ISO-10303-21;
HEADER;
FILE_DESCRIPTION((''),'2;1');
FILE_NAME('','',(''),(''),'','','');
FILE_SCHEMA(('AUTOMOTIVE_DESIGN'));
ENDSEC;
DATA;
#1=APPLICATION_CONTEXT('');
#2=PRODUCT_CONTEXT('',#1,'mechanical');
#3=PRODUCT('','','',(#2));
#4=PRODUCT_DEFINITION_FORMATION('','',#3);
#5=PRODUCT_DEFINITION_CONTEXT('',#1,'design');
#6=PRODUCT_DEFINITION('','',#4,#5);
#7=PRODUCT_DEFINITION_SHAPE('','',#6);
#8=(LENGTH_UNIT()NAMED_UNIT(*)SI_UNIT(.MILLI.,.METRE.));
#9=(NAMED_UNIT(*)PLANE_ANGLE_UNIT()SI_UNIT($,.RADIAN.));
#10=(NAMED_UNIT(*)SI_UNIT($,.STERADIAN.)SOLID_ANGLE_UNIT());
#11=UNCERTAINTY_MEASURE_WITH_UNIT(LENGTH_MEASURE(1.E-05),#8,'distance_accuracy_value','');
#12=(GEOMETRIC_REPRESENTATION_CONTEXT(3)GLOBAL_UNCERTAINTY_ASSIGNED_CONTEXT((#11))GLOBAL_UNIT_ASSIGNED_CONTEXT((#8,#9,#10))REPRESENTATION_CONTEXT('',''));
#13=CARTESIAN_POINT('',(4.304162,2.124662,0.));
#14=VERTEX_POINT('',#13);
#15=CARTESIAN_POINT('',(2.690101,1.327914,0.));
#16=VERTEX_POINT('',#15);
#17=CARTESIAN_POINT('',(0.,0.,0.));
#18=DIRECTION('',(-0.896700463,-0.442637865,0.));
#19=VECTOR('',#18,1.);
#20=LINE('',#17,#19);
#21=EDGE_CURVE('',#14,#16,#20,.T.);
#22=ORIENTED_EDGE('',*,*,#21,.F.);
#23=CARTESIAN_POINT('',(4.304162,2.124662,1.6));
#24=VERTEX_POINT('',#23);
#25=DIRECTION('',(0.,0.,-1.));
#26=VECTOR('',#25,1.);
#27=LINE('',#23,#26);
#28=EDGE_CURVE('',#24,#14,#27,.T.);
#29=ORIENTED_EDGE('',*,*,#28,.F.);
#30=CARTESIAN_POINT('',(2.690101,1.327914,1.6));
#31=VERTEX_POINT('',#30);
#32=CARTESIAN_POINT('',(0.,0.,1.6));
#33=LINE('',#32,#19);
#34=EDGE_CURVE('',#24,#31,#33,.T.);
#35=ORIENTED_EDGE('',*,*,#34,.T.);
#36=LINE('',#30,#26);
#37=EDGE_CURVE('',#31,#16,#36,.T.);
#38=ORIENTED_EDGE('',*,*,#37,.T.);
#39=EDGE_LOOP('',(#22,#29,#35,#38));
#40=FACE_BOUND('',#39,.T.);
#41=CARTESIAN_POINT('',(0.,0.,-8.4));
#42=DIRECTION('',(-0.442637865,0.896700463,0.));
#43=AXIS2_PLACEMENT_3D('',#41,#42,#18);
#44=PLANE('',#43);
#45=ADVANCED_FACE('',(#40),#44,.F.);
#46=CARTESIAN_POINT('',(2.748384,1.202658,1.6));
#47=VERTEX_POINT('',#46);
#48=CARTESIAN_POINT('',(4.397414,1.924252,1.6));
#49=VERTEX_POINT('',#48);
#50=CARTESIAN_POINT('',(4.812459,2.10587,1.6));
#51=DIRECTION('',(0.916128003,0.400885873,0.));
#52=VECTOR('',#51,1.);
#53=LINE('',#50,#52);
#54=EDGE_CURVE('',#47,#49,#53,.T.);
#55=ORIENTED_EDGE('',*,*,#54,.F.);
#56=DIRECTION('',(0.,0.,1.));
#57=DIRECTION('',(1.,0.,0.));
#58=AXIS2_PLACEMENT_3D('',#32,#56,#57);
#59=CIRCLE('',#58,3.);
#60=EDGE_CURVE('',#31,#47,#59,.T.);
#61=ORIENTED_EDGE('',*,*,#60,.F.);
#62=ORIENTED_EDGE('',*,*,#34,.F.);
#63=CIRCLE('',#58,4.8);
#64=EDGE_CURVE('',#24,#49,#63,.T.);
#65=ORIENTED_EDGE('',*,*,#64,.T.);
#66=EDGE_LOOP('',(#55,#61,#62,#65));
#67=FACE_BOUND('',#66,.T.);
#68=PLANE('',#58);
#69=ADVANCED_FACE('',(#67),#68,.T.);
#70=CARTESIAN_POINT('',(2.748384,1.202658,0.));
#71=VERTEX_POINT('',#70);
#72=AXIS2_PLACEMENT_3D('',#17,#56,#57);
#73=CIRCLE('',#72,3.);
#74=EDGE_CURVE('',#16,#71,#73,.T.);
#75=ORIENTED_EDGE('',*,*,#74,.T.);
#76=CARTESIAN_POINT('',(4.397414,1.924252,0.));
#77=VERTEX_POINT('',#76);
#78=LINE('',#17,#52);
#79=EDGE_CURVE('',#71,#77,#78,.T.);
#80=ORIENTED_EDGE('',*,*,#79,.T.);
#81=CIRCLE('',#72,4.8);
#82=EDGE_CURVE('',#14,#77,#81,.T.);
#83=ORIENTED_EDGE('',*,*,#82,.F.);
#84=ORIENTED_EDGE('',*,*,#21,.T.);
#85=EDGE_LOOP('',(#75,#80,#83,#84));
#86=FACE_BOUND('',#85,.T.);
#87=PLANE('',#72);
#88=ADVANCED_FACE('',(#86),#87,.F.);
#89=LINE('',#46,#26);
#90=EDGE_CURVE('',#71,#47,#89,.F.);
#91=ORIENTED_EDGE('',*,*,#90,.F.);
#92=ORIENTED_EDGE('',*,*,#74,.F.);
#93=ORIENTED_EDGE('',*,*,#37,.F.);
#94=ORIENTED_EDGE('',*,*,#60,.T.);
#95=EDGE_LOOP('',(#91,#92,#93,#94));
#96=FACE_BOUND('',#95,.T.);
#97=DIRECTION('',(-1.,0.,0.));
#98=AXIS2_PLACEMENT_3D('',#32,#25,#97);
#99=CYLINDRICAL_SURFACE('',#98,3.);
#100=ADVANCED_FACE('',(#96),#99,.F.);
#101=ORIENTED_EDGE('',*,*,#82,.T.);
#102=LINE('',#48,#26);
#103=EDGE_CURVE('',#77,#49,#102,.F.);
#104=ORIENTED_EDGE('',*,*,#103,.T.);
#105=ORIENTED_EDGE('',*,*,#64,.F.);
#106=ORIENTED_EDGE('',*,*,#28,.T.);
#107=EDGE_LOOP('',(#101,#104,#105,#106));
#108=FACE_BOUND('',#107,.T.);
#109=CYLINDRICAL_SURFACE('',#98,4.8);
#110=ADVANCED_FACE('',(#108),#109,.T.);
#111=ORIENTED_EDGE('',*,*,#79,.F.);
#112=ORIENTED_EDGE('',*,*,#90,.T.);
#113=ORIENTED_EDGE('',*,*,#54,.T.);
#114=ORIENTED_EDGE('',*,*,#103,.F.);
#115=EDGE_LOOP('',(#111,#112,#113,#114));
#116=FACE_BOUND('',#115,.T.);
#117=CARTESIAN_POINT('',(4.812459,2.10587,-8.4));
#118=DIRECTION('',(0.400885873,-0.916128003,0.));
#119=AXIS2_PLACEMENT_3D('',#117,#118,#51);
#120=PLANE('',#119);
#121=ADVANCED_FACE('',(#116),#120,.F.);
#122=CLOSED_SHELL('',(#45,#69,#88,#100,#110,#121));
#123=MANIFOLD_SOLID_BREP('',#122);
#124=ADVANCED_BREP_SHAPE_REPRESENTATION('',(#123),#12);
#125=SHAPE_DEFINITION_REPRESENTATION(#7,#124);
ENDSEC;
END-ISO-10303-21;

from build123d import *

# Parameters (mm, degrees)
SKETCH_1_R          = 4.8
SKETCH_1_R_2        = 3
EXTRUDE_1_DEPTH     = 1.6
CUT_EXTRUDE_1_DEPTH = 10


with BuildPart() as part:
    # 草图1 → 凸台-拉伸1 (new body)
    with BuildSketch(Plane.XY):
        Circle(SKETCH_1_R)
        Circle(SKETCH_1_R_2, mode=Mode.SUBTRACT)
    extrude(amount=EXTRUDE_1_DEPTH)

    # 草图2 → 切除-拉伸1 (cut)
    with BuildSketch(Plane.XY.offset(1.6)):
        Polygon((0, 0), (4.812459265, 2.375572201), (4.812459265, 2.105870497), align=None)
    extrude(amount=-CUT_EXTRUDE_1_DEPTH, mode=Mode.SUBTRACT)


solid = part.part
